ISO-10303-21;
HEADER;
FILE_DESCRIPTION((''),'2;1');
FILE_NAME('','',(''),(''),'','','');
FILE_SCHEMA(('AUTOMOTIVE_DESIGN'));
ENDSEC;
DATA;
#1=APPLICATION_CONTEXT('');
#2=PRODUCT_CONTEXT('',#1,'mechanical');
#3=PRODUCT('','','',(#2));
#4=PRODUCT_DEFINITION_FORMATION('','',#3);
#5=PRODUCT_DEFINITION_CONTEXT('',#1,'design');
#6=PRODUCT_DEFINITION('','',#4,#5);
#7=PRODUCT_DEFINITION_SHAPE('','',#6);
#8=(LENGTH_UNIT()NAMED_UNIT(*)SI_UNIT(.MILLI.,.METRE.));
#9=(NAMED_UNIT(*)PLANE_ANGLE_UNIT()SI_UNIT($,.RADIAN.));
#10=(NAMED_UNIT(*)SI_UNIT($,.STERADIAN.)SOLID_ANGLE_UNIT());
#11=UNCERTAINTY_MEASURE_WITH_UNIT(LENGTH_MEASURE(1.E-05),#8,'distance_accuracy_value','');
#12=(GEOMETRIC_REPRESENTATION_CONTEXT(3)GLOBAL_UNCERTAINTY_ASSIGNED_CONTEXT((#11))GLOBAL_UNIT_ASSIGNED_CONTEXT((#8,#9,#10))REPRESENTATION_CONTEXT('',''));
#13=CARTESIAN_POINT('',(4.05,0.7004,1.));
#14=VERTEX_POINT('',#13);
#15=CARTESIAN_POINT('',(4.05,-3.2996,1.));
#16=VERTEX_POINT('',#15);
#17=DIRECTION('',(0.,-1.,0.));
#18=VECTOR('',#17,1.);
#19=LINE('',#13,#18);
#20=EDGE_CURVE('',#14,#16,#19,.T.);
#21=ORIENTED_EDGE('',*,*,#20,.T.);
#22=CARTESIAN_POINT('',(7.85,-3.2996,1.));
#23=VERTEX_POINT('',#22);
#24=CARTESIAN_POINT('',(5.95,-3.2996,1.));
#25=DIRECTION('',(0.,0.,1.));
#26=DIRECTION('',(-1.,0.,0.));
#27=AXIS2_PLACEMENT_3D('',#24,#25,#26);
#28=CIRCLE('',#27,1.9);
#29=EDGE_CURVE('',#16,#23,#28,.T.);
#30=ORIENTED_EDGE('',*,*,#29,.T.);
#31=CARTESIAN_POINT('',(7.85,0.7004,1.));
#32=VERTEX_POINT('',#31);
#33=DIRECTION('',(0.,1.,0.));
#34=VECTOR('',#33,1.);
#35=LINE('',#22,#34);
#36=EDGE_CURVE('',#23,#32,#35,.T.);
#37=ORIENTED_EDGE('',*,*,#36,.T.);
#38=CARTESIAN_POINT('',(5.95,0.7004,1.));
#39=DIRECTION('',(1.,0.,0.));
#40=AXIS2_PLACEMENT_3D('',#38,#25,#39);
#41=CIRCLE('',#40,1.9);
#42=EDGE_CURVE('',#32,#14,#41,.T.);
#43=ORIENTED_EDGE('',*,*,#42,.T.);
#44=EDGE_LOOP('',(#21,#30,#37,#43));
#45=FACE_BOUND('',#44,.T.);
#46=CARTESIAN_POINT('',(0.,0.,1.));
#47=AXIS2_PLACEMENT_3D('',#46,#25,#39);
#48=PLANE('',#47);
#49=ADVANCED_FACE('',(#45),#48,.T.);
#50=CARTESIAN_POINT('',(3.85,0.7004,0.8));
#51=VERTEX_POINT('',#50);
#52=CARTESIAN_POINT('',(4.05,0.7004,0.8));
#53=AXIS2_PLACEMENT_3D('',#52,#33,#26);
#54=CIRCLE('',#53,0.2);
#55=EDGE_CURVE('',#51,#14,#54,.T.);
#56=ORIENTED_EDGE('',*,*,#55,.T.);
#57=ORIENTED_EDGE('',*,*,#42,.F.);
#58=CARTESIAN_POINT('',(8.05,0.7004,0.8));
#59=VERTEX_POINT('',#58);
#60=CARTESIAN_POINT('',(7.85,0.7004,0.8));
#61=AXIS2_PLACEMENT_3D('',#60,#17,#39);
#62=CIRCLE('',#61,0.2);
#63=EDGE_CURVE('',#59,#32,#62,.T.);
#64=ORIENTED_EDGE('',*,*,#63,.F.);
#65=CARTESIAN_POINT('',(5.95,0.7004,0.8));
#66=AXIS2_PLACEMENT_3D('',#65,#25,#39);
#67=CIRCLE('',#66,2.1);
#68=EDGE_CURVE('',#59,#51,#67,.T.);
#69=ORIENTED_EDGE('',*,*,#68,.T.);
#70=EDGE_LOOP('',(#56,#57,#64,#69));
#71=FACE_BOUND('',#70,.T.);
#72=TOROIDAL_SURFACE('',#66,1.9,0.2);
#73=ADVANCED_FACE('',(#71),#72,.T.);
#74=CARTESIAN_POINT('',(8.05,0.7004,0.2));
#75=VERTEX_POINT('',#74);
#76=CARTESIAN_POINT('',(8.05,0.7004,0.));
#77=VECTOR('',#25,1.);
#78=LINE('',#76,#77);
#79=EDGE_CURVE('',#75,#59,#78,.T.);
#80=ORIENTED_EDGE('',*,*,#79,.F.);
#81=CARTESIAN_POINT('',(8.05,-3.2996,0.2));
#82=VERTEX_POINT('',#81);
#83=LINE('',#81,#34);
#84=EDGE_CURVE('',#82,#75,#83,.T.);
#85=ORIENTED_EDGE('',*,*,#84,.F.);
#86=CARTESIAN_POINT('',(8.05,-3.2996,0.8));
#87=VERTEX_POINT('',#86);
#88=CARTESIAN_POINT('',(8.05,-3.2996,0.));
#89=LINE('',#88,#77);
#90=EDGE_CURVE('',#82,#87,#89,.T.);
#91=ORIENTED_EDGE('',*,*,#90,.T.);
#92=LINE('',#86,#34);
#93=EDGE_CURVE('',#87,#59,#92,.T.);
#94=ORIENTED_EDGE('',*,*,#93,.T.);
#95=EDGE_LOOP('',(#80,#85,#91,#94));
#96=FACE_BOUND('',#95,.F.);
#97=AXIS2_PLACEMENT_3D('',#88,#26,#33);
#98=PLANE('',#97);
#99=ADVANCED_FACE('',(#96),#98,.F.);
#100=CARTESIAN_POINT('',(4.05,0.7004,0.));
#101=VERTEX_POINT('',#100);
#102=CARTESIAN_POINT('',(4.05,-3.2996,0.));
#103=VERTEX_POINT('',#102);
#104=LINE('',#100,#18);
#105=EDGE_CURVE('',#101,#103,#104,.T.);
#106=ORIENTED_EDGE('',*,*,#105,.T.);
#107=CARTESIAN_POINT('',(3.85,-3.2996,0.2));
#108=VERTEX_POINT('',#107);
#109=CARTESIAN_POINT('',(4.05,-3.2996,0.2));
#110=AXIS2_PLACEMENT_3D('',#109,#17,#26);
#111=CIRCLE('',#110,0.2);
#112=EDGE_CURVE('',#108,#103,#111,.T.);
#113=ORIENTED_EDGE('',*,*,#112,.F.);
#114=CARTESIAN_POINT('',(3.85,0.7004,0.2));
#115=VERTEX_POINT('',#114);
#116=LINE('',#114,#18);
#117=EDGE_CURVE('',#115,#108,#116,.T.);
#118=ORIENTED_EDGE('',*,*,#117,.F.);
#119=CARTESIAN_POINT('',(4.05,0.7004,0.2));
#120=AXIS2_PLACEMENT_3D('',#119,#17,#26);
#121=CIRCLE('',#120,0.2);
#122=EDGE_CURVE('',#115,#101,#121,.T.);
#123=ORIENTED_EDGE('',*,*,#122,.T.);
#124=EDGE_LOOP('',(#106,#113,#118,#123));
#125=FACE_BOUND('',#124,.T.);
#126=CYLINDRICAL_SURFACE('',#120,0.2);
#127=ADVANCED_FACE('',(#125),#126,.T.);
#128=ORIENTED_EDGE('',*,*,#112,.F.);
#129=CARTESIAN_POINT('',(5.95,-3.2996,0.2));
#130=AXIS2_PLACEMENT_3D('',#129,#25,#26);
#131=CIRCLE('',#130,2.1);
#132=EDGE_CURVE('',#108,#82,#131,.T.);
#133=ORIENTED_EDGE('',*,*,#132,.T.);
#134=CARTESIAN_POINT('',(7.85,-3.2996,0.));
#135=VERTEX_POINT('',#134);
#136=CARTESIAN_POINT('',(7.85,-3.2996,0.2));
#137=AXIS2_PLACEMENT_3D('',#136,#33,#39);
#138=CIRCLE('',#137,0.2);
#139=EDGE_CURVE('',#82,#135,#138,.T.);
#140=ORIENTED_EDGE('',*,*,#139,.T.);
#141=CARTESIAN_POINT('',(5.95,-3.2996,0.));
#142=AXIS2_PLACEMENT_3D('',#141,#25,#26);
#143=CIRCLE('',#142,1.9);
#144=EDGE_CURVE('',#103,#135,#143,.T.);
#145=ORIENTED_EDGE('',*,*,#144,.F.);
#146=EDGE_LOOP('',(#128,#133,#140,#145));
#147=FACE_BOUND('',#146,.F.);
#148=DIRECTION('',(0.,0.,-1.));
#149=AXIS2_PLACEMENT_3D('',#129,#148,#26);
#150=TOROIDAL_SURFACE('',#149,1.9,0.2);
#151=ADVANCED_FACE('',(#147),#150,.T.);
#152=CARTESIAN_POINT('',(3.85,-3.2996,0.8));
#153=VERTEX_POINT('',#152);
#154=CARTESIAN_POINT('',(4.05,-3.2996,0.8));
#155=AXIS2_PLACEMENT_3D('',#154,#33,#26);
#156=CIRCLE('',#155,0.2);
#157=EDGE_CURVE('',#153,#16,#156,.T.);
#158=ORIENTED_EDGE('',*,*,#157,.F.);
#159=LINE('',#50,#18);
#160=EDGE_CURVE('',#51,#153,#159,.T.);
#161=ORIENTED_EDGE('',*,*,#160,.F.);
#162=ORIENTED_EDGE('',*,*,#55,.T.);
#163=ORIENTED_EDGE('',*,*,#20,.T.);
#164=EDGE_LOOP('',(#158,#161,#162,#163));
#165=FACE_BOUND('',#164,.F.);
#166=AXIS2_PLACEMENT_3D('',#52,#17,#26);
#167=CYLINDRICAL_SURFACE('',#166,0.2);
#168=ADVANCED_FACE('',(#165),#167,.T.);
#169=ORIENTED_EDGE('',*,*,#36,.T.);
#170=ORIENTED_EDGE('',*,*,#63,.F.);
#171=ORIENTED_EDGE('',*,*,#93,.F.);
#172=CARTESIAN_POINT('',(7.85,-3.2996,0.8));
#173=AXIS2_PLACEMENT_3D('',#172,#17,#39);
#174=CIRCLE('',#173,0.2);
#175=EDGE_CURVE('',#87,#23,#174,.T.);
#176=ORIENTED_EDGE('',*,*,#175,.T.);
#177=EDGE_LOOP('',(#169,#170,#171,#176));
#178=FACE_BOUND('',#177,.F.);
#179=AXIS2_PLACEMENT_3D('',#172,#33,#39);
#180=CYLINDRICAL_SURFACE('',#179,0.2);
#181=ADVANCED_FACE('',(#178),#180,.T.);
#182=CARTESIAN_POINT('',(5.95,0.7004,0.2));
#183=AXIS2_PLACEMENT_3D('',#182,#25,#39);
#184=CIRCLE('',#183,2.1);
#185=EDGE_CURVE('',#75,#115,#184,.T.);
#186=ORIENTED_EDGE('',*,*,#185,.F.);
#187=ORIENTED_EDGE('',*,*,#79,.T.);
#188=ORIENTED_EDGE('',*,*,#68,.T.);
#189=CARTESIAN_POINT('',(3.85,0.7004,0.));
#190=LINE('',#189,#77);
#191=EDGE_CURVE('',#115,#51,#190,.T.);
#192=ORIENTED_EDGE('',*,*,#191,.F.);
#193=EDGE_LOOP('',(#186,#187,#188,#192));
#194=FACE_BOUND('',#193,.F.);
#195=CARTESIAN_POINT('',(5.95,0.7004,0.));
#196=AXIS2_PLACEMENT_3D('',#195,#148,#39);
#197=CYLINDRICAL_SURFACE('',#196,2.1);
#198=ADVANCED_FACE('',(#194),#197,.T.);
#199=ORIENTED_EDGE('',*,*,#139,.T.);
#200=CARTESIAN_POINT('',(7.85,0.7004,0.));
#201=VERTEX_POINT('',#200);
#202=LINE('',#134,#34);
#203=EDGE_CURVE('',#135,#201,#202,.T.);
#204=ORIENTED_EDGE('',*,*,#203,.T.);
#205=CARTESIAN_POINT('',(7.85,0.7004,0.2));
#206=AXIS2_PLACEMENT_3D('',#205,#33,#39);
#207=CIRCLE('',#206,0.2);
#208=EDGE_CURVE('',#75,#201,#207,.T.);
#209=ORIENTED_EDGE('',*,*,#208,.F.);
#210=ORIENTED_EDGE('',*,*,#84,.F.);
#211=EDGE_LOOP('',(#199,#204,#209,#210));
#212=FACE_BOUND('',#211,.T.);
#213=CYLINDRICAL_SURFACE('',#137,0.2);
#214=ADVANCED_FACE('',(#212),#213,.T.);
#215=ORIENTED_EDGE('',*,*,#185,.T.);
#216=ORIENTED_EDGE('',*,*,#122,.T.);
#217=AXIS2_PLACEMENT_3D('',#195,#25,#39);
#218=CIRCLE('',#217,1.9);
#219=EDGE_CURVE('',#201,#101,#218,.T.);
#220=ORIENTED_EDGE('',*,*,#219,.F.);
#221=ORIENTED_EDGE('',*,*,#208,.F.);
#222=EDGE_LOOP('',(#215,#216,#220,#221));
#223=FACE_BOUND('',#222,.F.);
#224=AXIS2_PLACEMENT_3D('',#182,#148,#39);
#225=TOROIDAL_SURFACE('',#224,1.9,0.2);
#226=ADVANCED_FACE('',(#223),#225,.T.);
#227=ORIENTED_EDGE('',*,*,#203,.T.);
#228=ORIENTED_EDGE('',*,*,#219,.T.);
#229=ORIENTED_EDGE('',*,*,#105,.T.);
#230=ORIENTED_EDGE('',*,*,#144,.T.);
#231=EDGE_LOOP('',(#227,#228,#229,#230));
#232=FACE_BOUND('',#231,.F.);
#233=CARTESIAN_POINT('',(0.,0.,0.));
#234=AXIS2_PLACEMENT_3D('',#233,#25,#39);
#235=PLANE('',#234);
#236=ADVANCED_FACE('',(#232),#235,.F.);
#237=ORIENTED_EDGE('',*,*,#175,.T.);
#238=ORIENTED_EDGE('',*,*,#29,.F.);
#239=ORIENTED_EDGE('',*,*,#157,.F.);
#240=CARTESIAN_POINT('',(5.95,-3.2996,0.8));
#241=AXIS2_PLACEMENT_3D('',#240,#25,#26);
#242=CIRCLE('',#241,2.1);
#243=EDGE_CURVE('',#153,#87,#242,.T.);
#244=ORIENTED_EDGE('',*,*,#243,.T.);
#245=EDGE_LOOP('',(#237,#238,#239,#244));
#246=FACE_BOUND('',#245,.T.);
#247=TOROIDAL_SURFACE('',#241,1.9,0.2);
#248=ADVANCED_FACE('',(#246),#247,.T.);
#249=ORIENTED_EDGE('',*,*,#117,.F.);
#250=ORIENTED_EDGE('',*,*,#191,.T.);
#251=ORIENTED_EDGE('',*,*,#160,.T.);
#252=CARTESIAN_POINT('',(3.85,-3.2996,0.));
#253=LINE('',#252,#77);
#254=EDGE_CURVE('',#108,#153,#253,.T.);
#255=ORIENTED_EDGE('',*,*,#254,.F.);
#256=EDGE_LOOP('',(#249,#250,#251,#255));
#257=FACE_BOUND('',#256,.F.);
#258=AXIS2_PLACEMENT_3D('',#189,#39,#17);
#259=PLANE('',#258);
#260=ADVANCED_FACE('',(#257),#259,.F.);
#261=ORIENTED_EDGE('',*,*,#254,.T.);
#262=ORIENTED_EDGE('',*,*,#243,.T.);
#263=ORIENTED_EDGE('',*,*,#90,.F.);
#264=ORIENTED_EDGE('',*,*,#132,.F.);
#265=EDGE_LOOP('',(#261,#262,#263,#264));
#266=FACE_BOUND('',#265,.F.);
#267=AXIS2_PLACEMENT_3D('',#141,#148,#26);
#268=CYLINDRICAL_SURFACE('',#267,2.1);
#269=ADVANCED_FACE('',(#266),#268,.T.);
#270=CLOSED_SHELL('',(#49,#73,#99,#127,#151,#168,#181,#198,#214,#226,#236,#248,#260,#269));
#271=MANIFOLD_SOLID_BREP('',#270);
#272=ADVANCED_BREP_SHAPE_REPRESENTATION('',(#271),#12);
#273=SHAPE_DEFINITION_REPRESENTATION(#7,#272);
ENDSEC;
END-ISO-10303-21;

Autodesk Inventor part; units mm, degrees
ref_plane "YZ Plane" through (0, 0, 0) normal (1, 0, 0) x (0, 1, 0)
ref_plane "XZ Plane" through (0, 0, 0) normal (0, 1, 0) x (-1, 0, 0)
ref_plane "XY Plane" through (0, 0, 0) normal (0, 0, 1) x (1, 0, 0)
sketch "Skizze1" plane through (0, 0, 0) normal (0, 0, 1) x (1, 0, 0)
  arc A0 (3.65, -3.2996) -> (8.25, -3.2996) centre (5.95, -3.2996) ccw projected
  line L0 (8.25, 0.7004) -> (8.25, -3.2996) projected
  arc A1 (8.25, 0.7004) -> (3.65, 0.7004) centre (5.95, 0.7004) ccw projected
  line L1 (3.65, -3.2996) -> (3.65, 0.7004) projected
  line L2 (5.95, -3.2996) -> (5.95, 0.7004) construction
  line L3 (8.05, -3.2996) -> (8.05, 0.7004)
  line L4 (3.85, 0.7004) -> (3.85, -3.2996)
  arc A2 (3.85, -3.2996) -> (8.05, -3.2996) centre (5.95, -3.2996) ccw
  arc A3 (8.05, 0.7004) -> (3.85, 0.7004) centre (5.95, 0.7004) ccw
  point P0 (0, 0)
  point P1 (5.95, -1.2996)
  dimension "d0" = 4.2
extrude "Extrusion1" add sketch "Skizze1" along normal blind 1 contours A2 L4 A3 L3
fillet "Rundung1" radius 0.2 8 edges at (5.95, 2.8004, 1) (3.85, -1.2996, 1) (5.95, -5.3996, 1) (8.05, -1.2996, 1) (5.95, 2.8004, 0) (3.85, -1.2996, 0) (5.95, -5.3996, 0) (8.05, -1.2996, 0)
properties part number "Feets"
